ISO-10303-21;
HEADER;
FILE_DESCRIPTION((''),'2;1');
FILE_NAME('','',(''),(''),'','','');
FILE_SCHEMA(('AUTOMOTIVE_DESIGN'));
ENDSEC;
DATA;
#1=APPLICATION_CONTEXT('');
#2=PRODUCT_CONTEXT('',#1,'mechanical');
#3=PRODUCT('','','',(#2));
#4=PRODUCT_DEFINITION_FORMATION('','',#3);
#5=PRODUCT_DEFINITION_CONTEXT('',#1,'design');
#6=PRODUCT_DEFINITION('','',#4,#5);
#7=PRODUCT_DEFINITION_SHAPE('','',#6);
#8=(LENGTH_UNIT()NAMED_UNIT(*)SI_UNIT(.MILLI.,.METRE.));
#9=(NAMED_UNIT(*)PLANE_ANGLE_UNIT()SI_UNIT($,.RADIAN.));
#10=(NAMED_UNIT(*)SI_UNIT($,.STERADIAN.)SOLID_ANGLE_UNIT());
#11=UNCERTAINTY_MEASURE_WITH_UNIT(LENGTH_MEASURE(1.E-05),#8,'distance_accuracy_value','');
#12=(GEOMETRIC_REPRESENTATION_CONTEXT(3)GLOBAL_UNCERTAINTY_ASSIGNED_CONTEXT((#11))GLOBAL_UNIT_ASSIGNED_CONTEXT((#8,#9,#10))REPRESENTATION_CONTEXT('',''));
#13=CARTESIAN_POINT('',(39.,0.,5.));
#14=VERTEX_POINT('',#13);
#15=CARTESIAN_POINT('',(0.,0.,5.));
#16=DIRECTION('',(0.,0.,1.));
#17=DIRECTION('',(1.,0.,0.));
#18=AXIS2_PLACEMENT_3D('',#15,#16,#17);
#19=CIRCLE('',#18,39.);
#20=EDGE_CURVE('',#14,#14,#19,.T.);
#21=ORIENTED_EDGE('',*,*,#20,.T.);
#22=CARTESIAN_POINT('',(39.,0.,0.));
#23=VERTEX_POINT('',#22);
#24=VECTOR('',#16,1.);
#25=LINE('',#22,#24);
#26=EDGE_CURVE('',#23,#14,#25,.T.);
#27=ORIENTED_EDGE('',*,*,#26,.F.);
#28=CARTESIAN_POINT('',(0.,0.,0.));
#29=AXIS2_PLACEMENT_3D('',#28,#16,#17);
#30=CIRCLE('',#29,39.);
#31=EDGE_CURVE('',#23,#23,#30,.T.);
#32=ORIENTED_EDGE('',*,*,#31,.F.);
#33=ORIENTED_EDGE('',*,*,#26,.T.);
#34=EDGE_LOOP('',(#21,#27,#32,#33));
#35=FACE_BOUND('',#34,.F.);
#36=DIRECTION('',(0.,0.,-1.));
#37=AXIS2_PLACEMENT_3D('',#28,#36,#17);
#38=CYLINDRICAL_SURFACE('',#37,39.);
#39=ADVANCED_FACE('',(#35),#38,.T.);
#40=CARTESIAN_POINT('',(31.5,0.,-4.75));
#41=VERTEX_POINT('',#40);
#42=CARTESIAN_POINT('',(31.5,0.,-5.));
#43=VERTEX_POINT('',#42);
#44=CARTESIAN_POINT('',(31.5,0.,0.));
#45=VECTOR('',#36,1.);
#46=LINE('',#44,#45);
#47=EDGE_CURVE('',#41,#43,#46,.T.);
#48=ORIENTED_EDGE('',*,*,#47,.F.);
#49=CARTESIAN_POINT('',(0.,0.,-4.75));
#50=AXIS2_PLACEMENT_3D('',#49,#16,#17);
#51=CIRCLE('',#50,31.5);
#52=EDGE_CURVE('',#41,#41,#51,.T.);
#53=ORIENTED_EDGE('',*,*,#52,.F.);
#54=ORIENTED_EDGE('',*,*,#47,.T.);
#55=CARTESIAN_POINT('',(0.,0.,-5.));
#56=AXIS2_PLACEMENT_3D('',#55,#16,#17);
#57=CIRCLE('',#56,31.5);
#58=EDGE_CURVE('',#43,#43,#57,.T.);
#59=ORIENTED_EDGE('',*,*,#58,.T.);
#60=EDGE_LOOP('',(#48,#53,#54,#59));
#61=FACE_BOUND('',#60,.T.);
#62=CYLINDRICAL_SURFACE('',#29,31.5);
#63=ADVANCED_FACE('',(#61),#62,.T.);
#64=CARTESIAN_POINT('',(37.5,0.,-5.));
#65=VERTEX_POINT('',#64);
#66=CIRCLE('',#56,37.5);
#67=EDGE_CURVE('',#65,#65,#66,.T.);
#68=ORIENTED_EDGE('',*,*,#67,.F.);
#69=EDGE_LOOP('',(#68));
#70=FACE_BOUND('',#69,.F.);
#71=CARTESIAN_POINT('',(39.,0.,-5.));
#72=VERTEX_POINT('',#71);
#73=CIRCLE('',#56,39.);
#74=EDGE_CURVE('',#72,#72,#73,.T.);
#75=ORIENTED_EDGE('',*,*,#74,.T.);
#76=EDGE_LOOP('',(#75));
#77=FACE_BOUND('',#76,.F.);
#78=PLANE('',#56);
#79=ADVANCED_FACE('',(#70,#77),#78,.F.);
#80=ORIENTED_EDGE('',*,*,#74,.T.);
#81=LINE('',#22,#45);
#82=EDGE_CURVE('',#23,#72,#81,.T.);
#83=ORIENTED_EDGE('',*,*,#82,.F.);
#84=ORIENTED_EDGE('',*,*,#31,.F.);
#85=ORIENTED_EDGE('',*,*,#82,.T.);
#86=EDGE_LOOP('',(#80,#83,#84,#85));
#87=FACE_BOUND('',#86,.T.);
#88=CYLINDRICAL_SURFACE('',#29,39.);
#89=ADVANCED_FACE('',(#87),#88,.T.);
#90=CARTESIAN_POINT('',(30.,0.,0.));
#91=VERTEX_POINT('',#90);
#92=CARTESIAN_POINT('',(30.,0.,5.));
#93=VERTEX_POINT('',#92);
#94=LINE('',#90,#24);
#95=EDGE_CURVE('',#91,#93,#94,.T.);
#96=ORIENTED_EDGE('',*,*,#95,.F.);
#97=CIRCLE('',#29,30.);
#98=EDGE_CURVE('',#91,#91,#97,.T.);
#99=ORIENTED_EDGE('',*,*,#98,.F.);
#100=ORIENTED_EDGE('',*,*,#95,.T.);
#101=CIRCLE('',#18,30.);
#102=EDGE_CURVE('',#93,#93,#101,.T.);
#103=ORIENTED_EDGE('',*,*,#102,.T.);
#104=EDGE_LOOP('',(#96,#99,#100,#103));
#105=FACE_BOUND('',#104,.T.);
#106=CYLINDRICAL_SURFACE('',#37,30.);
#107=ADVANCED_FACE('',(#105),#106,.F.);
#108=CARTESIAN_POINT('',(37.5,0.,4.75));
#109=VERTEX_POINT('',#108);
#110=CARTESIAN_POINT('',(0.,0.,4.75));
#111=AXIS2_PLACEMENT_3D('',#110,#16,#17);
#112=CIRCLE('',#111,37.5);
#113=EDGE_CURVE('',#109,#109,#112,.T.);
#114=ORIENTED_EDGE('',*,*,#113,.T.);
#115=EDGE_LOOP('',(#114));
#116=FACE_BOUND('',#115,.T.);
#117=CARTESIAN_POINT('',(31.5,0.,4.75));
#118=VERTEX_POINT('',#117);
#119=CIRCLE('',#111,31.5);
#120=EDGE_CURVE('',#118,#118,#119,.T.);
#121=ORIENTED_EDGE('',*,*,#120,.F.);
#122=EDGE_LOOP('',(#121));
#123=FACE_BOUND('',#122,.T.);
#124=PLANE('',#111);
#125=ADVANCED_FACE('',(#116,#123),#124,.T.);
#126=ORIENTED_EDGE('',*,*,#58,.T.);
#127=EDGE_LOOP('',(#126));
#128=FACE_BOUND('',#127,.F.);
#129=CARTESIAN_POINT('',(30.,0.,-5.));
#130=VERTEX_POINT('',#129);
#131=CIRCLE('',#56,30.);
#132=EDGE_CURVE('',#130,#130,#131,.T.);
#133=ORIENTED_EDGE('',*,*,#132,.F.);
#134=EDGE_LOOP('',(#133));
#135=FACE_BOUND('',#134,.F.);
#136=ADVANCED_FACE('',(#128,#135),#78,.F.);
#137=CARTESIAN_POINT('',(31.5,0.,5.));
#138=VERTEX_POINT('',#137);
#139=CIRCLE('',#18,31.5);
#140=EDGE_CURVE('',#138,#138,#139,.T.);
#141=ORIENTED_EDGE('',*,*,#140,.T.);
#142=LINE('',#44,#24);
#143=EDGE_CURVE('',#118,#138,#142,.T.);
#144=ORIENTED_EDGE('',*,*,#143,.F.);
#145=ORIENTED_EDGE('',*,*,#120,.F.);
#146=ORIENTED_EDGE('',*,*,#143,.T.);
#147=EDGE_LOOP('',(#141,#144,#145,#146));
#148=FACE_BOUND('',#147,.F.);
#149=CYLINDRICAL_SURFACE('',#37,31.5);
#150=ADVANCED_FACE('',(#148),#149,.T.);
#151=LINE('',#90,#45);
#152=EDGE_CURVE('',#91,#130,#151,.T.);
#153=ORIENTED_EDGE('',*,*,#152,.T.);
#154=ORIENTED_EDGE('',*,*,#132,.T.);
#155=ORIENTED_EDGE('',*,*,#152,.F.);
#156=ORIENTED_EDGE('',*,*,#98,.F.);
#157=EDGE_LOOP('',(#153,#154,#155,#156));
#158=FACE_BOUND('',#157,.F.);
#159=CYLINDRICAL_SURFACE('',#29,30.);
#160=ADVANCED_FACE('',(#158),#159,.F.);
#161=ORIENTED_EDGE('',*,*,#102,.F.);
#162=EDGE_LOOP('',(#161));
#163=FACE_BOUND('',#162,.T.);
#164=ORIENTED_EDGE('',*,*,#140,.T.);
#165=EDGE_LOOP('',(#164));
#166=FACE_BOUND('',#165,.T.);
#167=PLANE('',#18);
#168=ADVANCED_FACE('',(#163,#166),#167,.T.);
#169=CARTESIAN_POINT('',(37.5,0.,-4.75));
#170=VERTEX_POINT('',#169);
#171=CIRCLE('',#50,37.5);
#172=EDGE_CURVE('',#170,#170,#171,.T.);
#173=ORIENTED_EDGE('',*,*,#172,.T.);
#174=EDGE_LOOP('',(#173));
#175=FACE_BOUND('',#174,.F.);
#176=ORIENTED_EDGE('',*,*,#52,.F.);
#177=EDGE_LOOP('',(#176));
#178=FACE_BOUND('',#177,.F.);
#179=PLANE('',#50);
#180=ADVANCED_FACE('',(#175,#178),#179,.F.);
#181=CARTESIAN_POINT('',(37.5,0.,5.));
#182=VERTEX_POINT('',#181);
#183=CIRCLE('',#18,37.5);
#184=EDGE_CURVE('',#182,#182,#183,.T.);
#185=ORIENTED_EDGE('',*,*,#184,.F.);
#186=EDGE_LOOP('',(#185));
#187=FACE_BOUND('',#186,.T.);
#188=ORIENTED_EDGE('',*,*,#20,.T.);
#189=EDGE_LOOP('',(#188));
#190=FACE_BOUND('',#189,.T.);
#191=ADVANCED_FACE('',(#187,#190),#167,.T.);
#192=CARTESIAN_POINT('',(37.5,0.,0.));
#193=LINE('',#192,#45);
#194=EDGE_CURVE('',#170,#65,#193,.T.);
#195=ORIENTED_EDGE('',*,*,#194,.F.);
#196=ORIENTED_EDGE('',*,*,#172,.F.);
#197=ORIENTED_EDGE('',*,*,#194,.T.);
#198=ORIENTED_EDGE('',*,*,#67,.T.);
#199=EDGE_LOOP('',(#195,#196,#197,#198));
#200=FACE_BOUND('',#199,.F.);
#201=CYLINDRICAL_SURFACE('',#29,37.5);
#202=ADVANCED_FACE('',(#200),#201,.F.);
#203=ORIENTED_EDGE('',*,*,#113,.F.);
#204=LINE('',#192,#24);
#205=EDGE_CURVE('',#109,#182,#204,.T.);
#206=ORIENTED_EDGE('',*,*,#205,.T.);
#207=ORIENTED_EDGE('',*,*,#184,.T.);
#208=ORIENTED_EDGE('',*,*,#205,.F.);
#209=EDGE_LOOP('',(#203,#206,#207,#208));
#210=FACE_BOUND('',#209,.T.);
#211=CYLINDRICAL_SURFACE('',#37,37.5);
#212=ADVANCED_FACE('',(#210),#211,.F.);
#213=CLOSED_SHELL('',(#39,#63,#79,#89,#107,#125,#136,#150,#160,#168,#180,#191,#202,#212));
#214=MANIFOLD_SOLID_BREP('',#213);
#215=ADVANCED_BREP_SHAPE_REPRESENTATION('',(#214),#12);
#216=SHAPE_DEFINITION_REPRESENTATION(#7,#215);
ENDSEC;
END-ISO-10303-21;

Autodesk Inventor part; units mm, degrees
ref_plane "YZ Plane" through (0, 0, 0) normal (1, 0, 0) x (0, 1, 0)
ref_plane "XZ Plane" through (0, 0, 0) normal (0, 1, 0) x (-1, 0, 0)
ref_plane "XY Plane" through (0, 0, 0) normal (0, 0, 1) x (1, 0, 0)
sketch "Sketch1" plane through (0, 0, 0) normal (0, 0, 1) x (1, 0, 0)
  circle A0 centre (0, 0) radius 30
  circle A1 centre (0, 0) radius 39
  circle A2 centre (0, 0) radius 37.5
  circle A3 centre (0, 0) radius 31.5
  dimension "d0" = 60
  dimension "d1" = 78
  dimension "d2" = 1.5
  dimension "d3" = 1.5
extrude "Extrusion1" add sketch "Sketch1" along normal mid plane 10
extrude "Extrusion2" add sketch "Sketch1" along normal mid plane 9.5 contours A2
properties part number "6812ZZ" material "Steel, Carbon"
